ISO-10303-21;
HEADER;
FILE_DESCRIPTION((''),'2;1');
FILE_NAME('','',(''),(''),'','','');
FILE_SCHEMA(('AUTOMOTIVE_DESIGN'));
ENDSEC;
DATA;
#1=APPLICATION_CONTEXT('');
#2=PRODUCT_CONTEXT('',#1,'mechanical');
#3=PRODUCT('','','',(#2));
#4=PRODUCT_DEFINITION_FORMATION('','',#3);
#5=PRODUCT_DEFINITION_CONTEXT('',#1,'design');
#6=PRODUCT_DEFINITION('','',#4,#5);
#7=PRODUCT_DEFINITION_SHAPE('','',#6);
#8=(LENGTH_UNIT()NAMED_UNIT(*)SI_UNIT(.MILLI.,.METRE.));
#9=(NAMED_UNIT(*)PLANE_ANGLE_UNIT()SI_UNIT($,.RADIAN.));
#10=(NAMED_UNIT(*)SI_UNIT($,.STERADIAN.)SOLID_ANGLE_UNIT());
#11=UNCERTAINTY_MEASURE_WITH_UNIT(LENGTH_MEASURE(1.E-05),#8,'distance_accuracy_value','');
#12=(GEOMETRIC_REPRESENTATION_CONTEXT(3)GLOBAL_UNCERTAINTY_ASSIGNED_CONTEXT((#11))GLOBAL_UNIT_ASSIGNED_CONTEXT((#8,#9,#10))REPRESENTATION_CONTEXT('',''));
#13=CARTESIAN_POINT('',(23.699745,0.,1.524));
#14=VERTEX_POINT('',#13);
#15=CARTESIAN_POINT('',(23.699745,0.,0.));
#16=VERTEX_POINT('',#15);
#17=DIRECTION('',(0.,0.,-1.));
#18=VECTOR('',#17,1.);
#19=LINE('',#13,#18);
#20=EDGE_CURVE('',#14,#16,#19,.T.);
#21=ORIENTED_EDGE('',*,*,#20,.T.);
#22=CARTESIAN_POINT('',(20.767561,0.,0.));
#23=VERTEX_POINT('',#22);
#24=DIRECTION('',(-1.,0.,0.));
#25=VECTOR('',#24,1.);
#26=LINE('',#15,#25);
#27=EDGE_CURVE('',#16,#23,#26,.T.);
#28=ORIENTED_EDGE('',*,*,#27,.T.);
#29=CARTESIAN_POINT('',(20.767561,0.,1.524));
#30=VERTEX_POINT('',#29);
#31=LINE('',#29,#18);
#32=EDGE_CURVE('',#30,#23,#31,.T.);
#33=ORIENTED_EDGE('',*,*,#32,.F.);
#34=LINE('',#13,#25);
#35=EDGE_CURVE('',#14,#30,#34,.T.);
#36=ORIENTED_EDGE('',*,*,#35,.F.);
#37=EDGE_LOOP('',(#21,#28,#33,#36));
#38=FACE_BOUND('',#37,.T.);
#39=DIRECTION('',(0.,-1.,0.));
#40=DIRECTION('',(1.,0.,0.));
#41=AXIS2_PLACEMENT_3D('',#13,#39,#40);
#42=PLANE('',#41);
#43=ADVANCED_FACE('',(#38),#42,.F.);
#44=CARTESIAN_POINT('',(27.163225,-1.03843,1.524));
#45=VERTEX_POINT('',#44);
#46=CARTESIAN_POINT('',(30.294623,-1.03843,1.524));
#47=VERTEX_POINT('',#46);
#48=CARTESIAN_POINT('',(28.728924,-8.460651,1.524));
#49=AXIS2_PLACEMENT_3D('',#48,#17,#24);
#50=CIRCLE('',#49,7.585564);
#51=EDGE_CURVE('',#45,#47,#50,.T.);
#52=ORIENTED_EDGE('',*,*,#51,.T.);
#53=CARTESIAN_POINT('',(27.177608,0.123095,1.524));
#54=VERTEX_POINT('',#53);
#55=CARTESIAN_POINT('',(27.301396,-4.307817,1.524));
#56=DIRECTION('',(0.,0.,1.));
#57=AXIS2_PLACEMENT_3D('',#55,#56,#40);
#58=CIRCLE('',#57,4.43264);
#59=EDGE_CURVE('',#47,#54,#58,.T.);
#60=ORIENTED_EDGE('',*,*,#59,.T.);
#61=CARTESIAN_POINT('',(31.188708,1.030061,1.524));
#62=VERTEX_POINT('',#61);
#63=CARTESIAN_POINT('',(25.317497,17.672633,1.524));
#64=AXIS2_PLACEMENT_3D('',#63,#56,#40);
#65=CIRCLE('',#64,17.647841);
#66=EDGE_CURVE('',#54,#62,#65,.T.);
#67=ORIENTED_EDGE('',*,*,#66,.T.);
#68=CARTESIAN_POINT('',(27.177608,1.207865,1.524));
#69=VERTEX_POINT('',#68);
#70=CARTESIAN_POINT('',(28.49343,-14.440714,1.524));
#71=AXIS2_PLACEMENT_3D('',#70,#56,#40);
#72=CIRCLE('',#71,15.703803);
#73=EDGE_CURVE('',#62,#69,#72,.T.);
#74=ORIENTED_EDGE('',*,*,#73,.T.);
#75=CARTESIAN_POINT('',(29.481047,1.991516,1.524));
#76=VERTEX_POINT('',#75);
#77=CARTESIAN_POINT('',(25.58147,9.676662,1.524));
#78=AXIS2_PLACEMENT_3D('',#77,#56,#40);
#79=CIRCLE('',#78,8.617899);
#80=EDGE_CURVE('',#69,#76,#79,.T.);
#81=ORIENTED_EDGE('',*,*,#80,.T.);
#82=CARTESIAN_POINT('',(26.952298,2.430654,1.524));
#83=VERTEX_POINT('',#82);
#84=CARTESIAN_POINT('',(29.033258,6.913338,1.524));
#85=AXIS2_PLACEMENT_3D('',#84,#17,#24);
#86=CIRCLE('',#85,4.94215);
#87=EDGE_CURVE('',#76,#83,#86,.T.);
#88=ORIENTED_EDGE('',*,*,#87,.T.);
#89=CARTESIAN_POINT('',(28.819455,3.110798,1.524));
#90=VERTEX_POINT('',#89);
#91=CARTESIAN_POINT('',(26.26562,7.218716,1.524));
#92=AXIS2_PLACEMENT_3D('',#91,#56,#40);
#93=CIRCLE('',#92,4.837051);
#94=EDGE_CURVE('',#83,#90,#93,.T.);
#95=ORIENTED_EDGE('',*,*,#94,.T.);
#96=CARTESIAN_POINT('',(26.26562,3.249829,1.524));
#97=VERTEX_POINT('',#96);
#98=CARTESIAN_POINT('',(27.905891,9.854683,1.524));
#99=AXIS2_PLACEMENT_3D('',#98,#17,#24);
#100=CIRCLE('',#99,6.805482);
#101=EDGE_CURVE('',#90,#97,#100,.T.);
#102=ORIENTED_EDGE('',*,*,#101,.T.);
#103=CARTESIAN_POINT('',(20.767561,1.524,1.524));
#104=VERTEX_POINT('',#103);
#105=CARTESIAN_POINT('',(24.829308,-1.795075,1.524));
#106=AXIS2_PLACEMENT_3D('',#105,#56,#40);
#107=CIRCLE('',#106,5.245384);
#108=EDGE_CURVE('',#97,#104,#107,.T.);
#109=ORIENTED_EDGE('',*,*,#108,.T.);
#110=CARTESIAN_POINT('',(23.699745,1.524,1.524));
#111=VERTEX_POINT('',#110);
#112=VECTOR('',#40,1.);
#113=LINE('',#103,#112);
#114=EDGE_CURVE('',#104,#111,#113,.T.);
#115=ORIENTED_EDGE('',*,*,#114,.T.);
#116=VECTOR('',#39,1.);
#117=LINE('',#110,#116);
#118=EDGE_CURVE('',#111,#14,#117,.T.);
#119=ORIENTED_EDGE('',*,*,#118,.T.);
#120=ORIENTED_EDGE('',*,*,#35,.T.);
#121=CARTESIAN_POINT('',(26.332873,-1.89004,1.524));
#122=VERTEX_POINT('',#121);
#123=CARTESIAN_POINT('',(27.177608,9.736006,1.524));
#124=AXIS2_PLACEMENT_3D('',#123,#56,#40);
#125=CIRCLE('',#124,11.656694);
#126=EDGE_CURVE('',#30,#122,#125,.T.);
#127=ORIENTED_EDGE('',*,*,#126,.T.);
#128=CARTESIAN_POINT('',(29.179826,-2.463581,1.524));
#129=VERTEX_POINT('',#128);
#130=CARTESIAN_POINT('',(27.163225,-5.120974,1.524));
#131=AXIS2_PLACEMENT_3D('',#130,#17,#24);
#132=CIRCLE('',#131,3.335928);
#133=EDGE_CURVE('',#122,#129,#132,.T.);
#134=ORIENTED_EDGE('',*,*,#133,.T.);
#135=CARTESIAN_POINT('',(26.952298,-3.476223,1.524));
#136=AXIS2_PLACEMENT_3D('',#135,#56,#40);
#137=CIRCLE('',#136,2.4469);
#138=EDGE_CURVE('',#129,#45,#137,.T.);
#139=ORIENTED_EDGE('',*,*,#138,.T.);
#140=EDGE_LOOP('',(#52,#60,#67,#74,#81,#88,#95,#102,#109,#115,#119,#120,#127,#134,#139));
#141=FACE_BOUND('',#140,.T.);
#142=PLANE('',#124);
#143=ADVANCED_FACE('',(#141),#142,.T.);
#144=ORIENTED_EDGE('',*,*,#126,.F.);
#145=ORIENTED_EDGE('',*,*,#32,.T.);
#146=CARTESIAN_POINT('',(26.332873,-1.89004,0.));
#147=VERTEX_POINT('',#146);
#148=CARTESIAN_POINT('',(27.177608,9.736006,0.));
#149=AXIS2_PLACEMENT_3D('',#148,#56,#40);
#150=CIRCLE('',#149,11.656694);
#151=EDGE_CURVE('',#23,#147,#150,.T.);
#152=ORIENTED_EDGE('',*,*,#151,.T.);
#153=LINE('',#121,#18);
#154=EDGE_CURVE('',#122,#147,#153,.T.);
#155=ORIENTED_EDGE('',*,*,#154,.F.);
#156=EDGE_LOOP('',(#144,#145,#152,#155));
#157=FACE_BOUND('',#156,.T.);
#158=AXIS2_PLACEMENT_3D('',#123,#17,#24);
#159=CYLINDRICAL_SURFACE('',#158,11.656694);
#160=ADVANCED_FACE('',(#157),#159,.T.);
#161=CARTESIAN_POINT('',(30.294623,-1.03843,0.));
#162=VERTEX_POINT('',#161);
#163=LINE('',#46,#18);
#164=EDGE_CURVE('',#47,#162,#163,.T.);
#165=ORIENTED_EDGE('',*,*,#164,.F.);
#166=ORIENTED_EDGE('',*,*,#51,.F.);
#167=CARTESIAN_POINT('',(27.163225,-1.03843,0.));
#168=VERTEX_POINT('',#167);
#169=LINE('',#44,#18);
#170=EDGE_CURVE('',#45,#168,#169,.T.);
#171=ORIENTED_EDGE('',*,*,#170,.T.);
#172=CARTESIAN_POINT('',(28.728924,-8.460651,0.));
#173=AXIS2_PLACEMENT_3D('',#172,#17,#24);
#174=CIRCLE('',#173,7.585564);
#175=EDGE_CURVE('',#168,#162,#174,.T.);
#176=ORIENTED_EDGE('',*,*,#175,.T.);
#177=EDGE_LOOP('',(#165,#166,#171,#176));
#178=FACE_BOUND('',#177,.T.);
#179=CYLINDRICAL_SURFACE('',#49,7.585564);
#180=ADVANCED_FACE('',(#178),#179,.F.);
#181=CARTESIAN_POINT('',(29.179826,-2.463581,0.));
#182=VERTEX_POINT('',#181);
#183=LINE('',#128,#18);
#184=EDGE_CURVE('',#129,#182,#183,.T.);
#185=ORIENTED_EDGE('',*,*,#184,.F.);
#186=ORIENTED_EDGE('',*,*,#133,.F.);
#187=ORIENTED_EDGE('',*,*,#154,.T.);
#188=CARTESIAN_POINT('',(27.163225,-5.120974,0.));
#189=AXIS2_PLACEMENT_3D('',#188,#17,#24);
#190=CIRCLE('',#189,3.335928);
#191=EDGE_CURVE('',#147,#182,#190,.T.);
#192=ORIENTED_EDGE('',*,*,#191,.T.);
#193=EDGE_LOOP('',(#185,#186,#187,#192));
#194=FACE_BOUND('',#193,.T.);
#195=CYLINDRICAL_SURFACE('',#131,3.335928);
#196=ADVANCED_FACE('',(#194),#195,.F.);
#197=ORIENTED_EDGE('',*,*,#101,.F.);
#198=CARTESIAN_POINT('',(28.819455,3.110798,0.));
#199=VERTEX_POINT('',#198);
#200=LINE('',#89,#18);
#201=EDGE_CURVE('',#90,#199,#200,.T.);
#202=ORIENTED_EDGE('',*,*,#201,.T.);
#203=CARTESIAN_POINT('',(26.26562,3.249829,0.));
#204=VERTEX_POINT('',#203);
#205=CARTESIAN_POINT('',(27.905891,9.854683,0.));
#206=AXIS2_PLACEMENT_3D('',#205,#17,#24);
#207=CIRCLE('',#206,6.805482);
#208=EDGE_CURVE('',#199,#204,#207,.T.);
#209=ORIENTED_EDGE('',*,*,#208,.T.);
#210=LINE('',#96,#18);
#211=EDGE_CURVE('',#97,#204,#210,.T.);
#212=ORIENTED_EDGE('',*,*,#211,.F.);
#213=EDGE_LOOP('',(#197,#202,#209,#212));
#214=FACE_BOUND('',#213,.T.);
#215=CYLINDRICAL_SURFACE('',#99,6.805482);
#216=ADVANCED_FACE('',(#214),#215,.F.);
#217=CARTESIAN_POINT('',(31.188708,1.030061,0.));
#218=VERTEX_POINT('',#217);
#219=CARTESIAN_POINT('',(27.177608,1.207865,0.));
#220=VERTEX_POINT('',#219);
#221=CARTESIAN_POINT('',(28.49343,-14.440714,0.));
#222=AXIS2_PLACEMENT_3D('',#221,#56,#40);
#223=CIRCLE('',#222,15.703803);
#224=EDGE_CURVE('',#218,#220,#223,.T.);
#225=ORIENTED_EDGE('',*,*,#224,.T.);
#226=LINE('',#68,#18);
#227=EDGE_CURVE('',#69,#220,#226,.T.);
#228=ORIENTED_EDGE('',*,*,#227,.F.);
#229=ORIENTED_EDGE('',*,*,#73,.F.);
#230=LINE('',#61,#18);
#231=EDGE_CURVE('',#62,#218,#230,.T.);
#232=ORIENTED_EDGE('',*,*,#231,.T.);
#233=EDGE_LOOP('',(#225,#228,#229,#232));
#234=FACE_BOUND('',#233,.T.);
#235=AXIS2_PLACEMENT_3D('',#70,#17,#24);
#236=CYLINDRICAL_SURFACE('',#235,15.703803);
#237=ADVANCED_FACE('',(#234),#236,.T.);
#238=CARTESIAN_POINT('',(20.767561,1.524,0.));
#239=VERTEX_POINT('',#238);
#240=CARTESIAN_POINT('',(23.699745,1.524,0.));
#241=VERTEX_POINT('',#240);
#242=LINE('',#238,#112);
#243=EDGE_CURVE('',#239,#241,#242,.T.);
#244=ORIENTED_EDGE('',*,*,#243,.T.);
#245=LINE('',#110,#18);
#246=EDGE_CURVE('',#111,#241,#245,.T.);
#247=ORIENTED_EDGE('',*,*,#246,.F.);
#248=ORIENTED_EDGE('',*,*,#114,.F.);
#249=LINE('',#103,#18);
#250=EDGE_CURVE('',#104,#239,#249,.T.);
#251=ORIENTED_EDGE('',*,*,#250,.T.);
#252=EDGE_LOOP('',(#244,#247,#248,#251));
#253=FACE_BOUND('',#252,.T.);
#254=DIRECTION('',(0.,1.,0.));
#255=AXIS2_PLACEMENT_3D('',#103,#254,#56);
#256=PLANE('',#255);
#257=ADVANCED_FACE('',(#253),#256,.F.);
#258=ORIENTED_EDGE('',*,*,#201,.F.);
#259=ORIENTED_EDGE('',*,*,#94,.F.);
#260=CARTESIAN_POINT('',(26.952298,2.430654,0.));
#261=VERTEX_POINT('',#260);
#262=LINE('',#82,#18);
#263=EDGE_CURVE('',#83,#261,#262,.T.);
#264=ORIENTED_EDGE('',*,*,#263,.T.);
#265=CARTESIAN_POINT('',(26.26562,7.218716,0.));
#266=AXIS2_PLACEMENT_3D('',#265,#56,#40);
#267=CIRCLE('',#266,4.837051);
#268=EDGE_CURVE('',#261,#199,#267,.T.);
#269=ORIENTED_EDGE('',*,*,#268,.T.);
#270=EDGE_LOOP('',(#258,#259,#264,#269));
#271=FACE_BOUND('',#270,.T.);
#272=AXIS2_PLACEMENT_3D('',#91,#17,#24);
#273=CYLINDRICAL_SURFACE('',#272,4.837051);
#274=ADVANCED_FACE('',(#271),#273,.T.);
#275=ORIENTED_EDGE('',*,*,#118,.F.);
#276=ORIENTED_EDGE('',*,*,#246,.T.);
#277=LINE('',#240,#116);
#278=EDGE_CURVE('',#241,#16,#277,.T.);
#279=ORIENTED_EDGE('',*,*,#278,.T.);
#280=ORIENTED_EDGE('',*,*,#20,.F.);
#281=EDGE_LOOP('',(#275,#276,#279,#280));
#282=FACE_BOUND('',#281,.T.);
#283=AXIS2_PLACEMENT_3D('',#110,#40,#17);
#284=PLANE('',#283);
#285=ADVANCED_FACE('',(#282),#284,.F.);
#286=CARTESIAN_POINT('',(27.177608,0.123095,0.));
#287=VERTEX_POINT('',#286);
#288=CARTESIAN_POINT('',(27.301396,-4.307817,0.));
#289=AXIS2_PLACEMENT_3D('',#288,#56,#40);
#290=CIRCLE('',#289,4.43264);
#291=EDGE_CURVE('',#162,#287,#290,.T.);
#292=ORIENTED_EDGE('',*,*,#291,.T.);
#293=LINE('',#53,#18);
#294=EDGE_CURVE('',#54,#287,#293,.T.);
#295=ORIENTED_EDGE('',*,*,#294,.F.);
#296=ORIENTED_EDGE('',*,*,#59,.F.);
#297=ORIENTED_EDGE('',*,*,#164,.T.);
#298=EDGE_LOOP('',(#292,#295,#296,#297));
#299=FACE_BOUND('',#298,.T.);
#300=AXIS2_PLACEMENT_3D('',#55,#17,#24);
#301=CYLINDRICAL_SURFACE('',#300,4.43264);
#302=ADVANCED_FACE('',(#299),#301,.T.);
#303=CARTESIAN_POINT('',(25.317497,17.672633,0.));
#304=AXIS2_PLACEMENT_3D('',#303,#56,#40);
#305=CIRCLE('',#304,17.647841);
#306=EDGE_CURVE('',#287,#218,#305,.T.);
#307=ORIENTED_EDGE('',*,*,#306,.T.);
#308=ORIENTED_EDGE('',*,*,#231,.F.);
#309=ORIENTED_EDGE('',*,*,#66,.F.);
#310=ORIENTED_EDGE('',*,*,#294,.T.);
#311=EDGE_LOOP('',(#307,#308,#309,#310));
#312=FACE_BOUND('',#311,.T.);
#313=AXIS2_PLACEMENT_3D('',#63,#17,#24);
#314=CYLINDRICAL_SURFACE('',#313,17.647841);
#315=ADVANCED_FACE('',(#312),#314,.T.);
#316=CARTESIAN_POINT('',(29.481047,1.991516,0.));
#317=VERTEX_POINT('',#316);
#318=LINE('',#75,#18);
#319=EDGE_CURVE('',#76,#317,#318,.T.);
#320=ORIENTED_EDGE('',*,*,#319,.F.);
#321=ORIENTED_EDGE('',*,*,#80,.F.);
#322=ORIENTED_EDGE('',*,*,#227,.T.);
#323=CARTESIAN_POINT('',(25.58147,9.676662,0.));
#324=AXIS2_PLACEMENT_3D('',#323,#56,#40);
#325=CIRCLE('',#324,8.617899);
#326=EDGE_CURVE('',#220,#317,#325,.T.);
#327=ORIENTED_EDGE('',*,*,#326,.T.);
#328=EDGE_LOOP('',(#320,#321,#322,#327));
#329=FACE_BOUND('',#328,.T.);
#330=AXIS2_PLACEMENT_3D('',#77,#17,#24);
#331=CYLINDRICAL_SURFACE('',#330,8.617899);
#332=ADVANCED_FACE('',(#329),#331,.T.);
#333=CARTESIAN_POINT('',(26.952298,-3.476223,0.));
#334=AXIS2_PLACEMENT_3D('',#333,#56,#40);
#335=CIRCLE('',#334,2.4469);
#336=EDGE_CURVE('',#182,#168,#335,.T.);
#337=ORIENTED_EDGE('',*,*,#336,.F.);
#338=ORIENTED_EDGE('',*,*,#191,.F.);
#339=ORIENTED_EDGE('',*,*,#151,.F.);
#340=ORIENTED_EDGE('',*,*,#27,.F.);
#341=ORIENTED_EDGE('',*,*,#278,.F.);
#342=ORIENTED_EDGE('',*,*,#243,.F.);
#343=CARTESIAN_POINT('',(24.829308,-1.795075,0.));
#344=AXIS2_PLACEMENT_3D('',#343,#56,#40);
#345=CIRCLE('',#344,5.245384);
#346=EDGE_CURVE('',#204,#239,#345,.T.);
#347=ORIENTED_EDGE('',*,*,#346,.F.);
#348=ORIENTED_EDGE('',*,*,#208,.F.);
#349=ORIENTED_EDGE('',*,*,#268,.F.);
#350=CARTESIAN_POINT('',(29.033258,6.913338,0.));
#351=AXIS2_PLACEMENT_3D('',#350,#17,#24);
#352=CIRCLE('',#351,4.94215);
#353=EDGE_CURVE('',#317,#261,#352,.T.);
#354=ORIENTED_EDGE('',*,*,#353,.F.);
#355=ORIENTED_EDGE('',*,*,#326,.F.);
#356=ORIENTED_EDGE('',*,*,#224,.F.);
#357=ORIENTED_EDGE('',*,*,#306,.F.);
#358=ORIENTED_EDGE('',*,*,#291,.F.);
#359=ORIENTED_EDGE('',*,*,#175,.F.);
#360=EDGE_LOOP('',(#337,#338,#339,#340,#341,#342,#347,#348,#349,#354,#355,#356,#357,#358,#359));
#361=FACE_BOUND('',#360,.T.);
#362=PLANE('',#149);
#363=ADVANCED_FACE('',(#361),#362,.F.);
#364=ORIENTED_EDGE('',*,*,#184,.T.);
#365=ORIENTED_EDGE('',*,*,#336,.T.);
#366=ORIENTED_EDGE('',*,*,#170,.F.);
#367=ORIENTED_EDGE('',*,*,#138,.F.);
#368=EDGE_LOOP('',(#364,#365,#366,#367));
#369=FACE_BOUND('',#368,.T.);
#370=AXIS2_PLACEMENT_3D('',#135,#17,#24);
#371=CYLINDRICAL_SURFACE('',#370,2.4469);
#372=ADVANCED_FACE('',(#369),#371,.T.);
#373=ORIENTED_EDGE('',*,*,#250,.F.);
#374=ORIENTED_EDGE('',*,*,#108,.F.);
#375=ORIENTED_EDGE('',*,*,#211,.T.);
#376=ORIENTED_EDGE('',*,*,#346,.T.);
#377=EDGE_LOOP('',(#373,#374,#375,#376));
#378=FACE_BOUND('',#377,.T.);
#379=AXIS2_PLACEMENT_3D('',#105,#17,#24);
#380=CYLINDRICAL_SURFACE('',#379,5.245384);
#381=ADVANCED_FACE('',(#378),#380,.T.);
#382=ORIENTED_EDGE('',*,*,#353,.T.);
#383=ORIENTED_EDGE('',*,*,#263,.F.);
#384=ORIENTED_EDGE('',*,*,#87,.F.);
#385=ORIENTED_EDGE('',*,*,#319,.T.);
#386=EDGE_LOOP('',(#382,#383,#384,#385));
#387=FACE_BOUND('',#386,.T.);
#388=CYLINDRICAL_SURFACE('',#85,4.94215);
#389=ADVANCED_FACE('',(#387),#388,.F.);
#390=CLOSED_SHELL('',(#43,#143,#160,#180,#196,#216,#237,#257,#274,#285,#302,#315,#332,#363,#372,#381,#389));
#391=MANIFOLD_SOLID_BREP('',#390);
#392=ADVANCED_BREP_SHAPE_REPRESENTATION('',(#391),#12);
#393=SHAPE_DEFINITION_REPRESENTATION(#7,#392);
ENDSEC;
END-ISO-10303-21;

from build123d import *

# Parameters (mm, degrees)
BOSS_EXTRUDE1_DEPTH = 1.524


with BuildPart() as part:
    # Sketch1 → Boss-Extrude1 (new body)
    with BuildSketch(Plane.XY):
        with BuildLine():
            Line((23.699745488, 1.524), (23.699745488, 0))
            Line((23.699745488, 0), (20.767560847, 0))
            ThreePointArc((20.767560847, 0), (23.42913794, -1.301543103), (26.332873234, -1.890039844))
            ThreePointArc((26.332873234, -1.890039844), (27.822037462, -1.85074691), (29.179825721, -2.463580554))
            ThreePointArc((29.179825721, -2.463580554), (28.364487323, -1.477962315), (27.163224831, -1.038430246))
            ThreePointArc((27.163224831, -1.038430246), (28.728924057, -0.875087412), (30.294623282, -1.038430246))
            ThreePointArc((30.294623282, -1.038430246), (28.84920273, -0.154192624), (27.177608147, 0.123094766))
            ThreePointArc((27.177608147, 0.123094766), (29.209666297, 0.459343802), (31.188707793, 1.03006133))
            ThreePointArc((31.188707793, 1.03006133), (29.188863831, 1.247682511), (27.177608147, 1.207865103))
            ThreePointArc((27.177608147, 1.207865103), (28.357122869, 1.517990015), (29.481047207, 1.991515643))
            ThreePointArc((29.481047207, 1.991515643), (28.187668321, 2.044064099), (26.952298477, 2.430653848))
            ThreePointArc((26.952298477, 2.430653848), (27.921180331, 2.673808335), (28.819454547, 3.110797561))
            ThreePointArc((28.819454547, 3.110797561), (27.535947123, 3.059263221), (26.265619678, 3.249828897))
            ThreePointArc((26.265619678, 3.249828897), (23.258369024, 3.209542673), (20.767560847, 1.524))
            Line((20.767560847, 1.524), (23.699745488, 1.524))
        make_face()
    extrude(amount=BOSS_EXTRUDE1_DEPTH)


solid = part.part
